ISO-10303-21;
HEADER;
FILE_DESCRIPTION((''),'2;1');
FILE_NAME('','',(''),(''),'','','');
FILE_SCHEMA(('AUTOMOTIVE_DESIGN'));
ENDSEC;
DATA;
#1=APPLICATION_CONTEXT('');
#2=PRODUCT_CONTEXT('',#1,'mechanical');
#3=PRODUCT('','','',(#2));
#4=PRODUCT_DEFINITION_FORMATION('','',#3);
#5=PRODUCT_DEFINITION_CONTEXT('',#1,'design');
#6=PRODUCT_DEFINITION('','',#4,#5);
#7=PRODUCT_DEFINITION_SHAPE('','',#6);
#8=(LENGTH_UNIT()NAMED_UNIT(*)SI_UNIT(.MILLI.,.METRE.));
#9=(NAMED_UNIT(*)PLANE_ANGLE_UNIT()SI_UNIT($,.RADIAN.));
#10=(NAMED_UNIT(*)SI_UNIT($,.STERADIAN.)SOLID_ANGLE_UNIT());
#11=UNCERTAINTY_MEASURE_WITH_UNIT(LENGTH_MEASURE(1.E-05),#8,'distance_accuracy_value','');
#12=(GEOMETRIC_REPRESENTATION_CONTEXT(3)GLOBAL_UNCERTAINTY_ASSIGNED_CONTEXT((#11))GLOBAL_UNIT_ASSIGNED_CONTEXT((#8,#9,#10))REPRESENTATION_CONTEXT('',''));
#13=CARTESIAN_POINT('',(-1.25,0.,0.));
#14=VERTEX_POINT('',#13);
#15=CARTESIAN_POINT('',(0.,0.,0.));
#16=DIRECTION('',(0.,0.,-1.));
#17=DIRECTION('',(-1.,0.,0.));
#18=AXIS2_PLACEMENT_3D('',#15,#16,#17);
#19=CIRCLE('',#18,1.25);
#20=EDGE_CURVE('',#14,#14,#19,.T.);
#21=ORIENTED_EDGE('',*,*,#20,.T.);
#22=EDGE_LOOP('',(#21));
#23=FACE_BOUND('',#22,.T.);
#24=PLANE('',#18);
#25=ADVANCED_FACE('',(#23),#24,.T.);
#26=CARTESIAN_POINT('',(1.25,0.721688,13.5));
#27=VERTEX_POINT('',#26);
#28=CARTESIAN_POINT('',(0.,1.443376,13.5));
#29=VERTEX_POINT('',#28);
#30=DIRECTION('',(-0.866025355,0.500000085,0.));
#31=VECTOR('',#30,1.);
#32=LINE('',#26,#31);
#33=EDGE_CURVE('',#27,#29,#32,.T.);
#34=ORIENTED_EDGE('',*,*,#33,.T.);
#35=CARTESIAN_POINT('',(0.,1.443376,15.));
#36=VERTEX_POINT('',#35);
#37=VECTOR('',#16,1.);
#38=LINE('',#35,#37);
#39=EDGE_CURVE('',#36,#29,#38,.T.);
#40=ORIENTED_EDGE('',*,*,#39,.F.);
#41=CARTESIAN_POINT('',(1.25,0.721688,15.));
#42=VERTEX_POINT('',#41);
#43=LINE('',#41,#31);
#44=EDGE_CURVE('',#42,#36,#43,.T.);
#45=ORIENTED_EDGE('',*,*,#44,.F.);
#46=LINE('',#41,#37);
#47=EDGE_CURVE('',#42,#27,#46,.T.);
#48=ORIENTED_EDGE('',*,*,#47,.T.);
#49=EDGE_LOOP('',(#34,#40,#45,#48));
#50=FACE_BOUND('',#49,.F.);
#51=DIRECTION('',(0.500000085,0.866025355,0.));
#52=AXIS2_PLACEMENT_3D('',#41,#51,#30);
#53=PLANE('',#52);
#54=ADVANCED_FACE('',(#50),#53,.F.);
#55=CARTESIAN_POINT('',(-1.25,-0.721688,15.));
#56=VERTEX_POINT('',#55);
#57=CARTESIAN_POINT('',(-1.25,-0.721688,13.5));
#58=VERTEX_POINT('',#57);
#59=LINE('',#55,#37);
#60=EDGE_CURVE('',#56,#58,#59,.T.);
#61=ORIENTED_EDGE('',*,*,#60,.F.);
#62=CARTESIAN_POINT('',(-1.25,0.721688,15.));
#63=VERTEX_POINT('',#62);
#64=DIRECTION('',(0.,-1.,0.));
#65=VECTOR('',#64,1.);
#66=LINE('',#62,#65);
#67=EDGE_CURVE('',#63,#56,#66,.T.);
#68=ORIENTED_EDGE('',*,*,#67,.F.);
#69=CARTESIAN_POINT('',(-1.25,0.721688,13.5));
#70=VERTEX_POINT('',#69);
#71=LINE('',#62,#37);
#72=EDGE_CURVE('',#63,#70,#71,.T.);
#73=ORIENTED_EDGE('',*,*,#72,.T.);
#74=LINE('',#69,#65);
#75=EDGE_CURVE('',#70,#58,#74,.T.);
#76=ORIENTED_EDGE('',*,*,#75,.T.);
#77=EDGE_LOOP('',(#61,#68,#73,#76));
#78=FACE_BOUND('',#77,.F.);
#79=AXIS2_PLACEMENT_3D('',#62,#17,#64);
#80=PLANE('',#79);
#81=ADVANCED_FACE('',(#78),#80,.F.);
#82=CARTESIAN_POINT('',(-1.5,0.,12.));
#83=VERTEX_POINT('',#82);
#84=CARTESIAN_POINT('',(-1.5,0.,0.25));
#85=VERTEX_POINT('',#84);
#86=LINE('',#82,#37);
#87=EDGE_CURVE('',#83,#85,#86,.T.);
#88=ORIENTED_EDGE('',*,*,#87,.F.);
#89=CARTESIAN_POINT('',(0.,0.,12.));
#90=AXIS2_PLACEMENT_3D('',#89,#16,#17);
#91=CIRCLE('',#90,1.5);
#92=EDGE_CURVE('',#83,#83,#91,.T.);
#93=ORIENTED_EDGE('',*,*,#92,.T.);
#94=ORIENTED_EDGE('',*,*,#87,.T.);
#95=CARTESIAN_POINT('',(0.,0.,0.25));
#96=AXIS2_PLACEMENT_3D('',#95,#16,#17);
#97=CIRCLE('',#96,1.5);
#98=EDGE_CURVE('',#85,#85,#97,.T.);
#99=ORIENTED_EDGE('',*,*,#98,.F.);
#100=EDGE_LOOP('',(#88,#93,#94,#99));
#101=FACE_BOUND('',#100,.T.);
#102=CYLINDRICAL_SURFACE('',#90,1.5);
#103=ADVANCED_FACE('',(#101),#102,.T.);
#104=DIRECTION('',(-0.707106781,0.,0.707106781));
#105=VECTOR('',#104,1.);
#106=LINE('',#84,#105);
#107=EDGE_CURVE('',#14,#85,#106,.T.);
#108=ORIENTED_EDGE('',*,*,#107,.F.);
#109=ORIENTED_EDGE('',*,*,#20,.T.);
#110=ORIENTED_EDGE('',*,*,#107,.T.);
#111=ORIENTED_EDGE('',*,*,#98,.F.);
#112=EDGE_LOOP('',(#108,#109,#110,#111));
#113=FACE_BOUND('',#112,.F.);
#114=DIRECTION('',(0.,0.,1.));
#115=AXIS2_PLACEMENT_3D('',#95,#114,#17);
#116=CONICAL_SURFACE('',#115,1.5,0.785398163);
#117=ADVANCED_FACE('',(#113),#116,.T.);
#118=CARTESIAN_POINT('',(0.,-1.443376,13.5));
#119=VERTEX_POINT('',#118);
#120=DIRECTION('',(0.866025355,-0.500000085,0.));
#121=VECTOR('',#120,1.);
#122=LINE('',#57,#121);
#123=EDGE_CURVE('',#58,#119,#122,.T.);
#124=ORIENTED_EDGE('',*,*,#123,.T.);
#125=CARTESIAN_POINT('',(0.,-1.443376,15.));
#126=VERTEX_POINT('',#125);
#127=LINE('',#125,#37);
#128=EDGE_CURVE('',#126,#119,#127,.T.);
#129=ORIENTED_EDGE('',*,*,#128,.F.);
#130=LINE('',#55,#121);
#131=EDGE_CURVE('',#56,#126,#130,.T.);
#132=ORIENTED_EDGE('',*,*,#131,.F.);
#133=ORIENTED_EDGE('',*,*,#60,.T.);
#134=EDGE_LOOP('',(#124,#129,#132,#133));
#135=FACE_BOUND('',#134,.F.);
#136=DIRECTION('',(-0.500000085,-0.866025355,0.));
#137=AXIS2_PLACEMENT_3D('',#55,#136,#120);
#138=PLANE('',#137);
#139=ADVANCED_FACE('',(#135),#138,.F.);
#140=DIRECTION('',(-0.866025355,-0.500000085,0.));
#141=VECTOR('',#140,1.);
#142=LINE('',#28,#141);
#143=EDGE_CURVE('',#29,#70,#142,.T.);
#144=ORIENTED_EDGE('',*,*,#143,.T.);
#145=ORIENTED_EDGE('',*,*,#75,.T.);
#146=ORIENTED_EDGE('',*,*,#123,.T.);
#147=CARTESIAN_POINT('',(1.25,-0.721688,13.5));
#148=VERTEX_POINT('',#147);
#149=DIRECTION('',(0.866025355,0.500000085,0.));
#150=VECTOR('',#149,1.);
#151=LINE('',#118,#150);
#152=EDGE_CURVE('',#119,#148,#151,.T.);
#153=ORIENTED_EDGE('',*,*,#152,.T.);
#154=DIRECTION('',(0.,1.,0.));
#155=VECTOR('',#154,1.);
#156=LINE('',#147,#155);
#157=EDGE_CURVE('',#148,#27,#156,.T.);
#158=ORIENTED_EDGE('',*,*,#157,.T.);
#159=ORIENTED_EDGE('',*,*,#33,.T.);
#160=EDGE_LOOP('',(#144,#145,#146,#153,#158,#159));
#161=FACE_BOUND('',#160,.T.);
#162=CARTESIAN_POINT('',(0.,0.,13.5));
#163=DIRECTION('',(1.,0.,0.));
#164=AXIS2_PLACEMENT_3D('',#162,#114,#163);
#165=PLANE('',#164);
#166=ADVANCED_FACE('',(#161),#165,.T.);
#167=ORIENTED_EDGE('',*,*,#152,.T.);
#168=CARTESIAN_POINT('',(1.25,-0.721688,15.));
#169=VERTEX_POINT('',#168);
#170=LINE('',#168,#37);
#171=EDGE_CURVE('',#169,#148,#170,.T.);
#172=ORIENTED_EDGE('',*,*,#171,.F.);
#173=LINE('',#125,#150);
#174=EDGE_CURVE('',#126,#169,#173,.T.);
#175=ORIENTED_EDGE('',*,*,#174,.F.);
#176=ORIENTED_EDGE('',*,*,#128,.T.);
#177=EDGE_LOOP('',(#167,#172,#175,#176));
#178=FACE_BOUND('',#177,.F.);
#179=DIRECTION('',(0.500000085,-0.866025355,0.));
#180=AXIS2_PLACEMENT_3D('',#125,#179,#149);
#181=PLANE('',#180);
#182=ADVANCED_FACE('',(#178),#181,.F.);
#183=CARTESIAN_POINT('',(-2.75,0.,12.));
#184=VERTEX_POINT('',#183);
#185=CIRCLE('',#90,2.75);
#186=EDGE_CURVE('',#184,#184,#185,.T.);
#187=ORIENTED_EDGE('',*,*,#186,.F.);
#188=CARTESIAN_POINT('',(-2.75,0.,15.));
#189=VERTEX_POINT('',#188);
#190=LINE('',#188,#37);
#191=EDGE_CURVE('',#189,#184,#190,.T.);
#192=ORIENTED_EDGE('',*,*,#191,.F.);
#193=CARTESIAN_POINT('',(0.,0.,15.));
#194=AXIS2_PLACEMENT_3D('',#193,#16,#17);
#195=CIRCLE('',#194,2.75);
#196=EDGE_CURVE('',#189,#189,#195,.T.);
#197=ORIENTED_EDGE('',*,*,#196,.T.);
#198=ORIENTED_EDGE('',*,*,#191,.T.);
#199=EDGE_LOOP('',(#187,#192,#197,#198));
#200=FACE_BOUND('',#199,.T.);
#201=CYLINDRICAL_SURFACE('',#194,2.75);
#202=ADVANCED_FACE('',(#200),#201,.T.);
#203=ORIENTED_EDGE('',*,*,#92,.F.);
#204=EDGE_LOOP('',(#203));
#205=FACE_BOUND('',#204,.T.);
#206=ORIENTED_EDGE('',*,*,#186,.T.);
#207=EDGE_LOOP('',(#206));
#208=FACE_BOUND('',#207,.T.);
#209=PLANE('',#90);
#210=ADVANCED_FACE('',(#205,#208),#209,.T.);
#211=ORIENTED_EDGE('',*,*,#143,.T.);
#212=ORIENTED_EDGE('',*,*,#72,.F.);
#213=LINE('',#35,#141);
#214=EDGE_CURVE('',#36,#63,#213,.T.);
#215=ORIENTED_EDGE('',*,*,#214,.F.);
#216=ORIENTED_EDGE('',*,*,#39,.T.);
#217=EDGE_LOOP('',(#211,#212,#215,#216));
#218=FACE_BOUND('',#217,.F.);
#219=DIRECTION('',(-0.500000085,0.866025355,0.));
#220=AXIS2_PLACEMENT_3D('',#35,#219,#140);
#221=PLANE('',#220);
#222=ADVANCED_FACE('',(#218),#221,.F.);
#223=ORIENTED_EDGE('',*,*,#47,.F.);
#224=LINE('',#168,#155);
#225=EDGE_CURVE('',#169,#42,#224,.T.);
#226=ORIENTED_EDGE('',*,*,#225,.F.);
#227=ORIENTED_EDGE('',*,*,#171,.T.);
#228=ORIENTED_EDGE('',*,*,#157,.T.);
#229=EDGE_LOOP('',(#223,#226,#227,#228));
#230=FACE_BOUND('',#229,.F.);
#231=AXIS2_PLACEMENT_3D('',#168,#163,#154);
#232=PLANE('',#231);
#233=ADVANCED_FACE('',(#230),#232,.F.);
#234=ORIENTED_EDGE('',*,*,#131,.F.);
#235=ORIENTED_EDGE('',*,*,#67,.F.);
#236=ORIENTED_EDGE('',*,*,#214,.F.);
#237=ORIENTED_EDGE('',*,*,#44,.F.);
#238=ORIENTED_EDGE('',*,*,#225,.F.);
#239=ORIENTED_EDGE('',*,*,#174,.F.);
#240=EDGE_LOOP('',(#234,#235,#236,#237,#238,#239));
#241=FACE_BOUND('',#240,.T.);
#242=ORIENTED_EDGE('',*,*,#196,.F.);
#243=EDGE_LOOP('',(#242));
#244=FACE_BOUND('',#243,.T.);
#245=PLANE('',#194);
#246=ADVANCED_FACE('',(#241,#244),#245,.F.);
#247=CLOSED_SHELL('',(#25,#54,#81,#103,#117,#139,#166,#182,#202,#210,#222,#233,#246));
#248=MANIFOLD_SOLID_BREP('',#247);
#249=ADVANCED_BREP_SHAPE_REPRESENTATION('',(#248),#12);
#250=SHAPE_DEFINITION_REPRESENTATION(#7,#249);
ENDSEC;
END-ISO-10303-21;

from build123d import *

# Parameters (mm, degrees)
F3_DEPTH = 1.5
F4_SIZE  = 0.25


with BuildPart() as f1:
    # F0 (on Front) → F1 (revolve)
    with BuildSketch(Plane.XZ):
        Polygon((-1.5, 0), (0, 0), (0, 15), (-2.75, 15), (-2.75, 12), (-1.5, 12), align=None)
    revolve(axis=Axis((0, 0, -2.50989), (0, 0, -1)))

    # F2 (on face) → F3 (cut)
    with BuildSketch(Plane.XY.offset(15)):
        Polygon((-1.25, 0.721688), (-1.25, -0.721688), (0, -1.443376), (1.25, -0.721688), (1.25, 0.721688), (0, 1.443376), align=None)
    extrude(amount=-F3_DEPTH, mode=Mode.SUBTRACT)

    # F4
    f4_edges = [f1.edges().sort_by_distance(p)[0] for p in [
        (1.5, 0, 0),
    ]]
    chamfer(f4_edges, length=F4_SIZE)


solid = f1.part
